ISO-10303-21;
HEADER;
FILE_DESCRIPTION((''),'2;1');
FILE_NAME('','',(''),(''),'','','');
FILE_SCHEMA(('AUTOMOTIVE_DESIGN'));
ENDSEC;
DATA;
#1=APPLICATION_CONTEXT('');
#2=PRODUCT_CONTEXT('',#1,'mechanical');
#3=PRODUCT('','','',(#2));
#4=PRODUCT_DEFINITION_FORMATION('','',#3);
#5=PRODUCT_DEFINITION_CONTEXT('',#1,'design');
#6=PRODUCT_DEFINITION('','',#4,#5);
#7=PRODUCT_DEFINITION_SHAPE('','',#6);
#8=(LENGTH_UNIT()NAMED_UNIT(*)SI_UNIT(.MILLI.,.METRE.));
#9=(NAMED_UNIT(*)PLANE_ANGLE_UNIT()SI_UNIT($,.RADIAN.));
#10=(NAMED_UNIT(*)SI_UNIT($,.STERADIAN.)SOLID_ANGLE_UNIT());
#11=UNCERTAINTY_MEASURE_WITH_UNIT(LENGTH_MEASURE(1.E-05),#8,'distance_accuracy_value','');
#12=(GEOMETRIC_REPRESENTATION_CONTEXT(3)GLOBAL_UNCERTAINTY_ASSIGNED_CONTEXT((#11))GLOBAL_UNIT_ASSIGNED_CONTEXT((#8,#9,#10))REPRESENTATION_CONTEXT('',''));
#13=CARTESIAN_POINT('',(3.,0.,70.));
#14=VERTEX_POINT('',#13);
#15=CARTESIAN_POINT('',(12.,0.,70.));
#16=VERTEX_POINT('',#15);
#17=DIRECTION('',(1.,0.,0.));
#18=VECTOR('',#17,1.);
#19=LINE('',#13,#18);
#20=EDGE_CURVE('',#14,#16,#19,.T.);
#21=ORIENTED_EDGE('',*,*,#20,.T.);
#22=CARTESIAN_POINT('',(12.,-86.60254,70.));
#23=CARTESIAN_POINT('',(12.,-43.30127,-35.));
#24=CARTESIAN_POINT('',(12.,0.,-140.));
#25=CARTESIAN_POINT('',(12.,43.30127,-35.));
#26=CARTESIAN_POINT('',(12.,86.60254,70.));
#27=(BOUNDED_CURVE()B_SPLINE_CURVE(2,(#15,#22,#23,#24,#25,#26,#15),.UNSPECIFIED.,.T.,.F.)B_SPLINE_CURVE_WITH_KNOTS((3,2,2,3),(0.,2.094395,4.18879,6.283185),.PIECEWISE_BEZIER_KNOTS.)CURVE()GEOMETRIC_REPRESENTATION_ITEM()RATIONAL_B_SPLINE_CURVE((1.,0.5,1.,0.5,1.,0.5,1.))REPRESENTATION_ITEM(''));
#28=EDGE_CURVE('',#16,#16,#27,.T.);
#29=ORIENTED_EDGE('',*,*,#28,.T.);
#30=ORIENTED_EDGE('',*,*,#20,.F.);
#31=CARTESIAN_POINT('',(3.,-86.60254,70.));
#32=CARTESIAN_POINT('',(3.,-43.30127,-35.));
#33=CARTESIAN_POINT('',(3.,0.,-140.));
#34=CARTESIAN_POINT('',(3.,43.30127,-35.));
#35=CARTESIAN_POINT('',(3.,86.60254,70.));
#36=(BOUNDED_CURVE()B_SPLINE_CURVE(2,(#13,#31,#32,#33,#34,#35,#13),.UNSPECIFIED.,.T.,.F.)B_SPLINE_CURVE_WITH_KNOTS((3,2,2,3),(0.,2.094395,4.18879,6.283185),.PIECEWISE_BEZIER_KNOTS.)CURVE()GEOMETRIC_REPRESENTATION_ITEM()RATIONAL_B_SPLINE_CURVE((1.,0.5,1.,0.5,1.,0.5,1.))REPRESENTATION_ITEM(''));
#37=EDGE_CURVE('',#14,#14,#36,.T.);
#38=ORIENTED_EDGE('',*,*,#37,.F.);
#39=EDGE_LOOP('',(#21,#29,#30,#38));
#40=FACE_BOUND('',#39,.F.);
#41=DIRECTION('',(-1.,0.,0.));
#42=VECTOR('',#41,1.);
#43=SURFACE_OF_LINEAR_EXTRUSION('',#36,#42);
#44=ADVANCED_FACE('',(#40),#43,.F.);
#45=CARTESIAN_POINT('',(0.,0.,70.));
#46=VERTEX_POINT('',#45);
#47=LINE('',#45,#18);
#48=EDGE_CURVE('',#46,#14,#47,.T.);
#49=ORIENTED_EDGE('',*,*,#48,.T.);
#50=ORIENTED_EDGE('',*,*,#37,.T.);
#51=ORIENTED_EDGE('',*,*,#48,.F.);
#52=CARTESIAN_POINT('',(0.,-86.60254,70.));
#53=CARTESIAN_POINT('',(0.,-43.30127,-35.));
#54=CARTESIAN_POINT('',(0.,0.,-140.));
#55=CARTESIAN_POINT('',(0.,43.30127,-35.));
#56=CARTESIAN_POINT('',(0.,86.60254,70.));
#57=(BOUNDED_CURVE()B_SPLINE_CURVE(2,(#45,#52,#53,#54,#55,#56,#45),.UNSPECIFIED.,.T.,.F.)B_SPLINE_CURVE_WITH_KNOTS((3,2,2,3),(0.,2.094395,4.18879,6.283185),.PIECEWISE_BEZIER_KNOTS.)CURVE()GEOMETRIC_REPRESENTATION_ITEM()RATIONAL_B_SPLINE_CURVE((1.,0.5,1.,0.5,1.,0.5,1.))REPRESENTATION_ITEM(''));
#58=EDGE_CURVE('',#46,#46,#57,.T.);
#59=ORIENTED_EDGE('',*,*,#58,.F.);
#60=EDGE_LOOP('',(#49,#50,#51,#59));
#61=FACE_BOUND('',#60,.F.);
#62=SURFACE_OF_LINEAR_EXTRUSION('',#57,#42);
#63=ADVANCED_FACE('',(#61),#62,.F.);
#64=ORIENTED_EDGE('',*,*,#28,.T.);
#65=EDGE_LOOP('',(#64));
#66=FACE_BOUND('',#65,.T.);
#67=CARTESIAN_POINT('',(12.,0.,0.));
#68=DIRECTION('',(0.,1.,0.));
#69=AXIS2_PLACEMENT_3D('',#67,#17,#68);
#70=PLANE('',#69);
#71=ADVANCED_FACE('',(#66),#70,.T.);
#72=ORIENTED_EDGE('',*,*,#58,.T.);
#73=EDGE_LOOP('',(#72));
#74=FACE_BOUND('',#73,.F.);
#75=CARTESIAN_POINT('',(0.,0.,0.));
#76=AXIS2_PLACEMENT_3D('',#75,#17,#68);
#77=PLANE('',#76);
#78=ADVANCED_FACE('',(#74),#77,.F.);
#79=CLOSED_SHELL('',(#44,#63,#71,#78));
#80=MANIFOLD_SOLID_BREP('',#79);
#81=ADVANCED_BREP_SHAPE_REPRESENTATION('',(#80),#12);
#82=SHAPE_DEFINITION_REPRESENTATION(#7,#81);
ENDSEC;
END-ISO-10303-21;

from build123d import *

# Parameters (mm, degrees)
F1_DEPTH = 3
F2_DEPTH = 9


with BuildPart() as f1:
    # F0 (on Right) → F1 (new body)
    with BuildSketch(Plane.YZ):
        with BuildLine():
            add(Edge.make_bspline(
                [(0, 70), (-86.60254, 70), (-43.30127, -35), (0, -140), (43.30127, -35), (86.60254, 70), (0, 70)],
                knots=[0, 0, 0, 2.094395, 2.094395, 4.18879, 4.18879, 6.283185, 6.283185, 6.283185], degree=2, weights=[1, 0.5, 1, 0.5, 1, 0.5, 1]))
        make_face()
    extrude(amount=F1_DEPTH)

    # F1_face (on face) → F2 (join)
    with BuildSketch(Plane(origin=(3, 0, -0.169786), x_dir=(0, 1, 0), z_dir=(1, 0, 0))):
        with BuildLine():
            add(Edge.make_bspline(
                [(0, 70.169786), (-86.60254, 70.169786), (-43.30127, -34.830214), (0, -139.830214), (43.30127, -34.830214), (86.60254, 70.169786), (0, 70.169786)],
                knots=[0, 0, 0, 2.094395, 2.094395, 4.18879, 4.18879, 6.283185, 6.283185, 6.283185], degree=2, weights=[1, 0.5, 1, 0.5, 1, 0.5, 1]))
        make_face()
    extrude(amount=F2_DEPTH)


solid = f1.part
